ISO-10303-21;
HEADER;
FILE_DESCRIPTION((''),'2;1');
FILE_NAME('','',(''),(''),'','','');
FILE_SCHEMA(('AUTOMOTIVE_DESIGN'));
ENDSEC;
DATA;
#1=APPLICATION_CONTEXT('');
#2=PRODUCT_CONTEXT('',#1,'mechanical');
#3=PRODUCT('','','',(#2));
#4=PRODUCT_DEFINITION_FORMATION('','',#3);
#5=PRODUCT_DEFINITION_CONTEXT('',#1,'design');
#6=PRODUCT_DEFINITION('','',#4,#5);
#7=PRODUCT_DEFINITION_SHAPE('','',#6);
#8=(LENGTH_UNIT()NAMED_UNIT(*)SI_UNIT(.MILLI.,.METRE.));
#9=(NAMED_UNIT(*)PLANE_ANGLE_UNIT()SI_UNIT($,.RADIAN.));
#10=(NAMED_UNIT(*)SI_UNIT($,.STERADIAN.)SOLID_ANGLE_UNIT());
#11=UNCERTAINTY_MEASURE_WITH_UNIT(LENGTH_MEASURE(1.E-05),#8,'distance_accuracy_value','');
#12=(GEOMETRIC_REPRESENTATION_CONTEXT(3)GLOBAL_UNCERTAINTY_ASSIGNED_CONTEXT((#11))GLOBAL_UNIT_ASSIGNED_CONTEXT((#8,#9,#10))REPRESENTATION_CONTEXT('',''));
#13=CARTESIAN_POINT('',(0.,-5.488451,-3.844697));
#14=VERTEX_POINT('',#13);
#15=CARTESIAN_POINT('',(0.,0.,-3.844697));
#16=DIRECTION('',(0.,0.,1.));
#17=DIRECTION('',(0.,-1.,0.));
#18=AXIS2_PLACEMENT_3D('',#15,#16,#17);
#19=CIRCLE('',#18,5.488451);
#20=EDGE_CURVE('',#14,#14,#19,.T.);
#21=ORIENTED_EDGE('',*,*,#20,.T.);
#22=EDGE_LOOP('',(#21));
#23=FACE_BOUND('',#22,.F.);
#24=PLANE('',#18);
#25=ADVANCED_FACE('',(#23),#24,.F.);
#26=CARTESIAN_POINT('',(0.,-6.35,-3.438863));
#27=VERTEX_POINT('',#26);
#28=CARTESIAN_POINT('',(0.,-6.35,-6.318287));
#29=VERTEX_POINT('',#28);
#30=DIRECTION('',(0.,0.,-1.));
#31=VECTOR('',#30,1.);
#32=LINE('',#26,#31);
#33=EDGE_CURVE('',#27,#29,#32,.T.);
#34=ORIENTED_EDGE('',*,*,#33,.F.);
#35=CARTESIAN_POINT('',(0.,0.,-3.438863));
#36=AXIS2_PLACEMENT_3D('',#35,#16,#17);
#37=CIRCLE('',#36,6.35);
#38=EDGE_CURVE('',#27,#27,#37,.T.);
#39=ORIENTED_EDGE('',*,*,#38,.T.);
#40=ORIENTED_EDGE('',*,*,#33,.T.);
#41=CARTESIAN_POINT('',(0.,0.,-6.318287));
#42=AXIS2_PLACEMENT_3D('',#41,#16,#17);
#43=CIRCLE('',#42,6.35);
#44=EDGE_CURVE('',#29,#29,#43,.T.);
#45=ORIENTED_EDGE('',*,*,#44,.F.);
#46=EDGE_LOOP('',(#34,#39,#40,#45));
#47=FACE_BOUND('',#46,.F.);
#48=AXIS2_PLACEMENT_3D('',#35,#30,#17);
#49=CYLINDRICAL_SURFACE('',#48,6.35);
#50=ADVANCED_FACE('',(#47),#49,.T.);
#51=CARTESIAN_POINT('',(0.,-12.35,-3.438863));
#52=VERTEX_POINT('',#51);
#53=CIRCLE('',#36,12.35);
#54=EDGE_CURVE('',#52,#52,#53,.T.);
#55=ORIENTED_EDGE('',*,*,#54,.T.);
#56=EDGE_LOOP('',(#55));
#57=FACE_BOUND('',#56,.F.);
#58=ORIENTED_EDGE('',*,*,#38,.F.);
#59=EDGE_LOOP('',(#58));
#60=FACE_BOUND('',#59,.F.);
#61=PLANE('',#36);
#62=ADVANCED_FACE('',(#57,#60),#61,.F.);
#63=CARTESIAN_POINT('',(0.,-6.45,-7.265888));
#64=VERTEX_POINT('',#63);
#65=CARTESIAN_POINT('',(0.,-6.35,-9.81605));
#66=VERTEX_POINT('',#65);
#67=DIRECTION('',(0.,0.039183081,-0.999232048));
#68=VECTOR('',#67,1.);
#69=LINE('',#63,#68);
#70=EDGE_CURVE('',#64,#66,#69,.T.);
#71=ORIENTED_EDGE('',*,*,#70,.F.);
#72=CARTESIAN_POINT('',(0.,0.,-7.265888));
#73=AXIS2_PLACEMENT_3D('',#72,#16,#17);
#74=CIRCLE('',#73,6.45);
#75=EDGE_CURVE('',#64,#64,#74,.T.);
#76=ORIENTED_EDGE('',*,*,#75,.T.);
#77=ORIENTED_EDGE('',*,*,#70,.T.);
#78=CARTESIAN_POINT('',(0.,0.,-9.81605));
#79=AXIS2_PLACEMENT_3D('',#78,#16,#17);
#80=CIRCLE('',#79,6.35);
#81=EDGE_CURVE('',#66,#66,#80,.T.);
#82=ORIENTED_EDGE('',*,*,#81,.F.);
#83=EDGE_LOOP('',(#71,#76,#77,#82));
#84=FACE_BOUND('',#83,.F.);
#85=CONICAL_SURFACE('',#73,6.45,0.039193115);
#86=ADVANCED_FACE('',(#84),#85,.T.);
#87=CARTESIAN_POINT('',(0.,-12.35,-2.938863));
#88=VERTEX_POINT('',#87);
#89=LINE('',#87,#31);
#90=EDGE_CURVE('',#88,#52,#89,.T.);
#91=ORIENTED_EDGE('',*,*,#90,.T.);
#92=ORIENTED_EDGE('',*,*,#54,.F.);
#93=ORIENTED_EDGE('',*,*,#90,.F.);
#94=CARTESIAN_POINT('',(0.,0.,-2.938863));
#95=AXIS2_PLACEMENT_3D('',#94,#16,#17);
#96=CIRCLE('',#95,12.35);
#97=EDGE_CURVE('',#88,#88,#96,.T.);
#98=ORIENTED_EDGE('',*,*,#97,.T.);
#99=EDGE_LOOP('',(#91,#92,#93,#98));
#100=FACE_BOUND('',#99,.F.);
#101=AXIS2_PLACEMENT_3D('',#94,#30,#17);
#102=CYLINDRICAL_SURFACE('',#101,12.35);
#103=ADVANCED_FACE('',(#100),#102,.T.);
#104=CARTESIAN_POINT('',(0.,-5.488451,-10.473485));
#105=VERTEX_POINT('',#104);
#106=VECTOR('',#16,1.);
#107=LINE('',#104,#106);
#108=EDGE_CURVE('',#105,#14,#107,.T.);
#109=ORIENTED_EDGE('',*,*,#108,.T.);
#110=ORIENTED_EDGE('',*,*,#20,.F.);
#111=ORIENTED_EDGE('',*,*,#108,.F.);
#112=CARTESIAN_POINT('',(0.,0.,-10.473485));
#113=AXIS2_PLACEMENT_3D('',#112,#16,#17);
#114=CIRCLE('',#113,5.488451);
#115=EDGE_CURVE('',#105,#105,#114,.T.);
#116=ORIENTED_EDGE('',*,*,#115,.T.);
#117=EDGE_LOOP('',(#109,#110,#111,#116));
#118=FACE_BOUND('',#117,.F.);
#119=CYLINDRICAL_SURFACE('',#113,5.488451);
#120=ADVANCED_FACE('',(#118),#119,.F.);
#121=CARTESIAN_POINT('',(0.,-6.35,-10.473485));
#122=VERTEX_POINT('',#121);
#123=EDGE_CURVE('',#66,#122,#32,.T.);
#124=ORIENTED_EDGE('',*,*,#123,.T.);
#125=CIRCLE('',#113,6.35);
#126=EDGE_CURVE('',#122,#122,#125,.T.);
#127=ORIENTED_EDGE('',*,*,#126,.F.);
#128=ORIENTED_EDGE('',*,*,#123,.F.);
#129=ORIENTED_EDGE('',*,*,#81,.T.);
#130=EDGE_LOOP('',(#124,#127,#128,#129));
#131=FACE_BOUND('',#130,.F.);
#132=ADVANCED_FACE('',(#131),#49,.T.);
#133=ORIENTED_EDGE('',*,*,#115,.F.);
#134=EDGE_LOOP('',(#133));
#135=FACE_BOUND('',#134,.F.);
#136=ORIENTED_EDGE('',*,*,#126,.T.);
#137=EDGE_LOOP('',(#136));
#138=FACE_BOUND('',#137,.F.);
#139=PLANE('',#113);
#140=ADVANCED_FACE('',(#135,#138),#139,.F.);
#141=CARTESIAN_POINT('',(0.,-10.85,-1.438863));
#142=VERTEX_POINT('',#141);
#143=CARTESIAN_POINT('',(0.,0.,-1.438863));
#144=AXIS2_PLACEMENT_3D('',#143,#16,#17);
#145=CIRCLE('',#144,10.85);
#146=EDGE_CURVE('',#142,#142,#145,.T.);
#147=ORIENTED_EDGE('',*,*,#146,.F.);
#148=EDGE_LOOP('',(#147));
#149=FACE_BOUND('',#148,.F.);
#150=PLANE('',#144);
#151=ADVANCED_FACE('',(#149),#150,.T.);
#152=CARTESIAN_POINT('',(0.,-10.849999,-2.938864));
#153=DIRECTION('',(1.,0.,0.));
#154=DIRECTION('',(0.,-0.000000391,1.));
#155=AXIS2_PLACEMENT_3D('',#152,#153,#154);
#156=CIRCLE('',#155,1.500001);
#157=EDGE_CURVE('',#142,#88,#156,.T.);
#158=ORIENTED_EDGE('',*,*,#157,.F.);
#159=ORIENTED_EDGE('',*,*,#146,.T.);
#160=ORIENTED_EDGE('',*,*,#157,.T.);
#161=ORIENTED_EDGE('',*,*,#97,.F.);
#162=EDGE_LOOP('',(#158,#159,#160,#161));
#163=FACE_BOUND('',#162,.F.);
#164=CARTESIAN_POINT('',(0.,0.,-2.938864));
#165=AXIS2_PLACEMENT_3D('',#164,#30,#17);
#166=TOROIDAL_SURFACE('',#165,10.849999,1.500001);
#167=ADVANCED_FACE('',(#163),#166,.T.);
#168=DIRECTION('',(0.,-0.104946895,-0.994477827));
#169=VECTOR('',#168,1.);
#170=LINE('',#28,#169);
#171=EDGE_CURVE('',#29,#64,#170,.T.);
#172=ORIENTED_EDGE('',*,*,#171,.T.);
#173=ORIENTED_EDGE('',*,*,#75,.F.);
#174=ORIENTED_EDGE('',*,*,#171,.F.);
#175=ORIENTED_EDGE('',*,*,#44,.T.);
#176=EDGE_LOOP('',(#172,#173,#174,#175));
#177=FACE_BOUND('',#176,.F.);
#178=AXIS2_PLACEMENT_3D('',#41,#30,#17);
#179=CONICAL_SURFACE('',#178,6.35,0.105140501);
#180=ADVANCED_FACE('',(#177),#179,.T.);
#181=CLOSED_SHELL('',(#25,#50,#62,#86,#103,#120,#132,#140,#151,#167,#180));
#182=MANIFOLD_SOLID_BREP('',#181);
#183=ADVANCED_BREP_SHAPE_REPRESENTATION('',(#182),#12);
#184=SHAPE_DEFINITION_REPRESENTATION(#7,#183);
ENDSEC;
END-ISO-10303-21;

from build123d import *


with BuildPart() as f1:
    # F0 (on Right) → F1 (revolve)
    with BuildSketch(Plane.YZ):
        with BuildLine():
            Line((-6.35, -10.473485), (-5.488451, -10.473485))
            Line((-5.488451, -10.473485), (-5.488451, -3.844697))
            Line((-5.488451, -3.844697), (0, -3.844697))
            Line((0, -3.844697), (0, -1.438863))
            Line((0, -1.438863), (-10.85, -1.438863))
            ThreePointArc((-10.85, -1.438863), (-11.91066, -1.878203), (-12.35, -2.938863))
            Line((-12.35, -2.938863), (-12.35, -3.438863))
            Line((-12.35, -3.438863), (-6.35, -3.438863))
            Line((-6.35, -3.438863), (-6.35, -6.318287))
            Line((-6.35, -6.318287), (-6.35, -9.81605))
            Line((-6.35, -9.81605), (-6.35, -10.473485))
        make_face()
        Polygon((-6.45, -7.265888), (-6.35, -9.81605), (-6.35, -6.318287), align=None)
    revolve(axis=Axis((0, 0, 16.107956), (0, 0, 1)))


solid = f1.part
